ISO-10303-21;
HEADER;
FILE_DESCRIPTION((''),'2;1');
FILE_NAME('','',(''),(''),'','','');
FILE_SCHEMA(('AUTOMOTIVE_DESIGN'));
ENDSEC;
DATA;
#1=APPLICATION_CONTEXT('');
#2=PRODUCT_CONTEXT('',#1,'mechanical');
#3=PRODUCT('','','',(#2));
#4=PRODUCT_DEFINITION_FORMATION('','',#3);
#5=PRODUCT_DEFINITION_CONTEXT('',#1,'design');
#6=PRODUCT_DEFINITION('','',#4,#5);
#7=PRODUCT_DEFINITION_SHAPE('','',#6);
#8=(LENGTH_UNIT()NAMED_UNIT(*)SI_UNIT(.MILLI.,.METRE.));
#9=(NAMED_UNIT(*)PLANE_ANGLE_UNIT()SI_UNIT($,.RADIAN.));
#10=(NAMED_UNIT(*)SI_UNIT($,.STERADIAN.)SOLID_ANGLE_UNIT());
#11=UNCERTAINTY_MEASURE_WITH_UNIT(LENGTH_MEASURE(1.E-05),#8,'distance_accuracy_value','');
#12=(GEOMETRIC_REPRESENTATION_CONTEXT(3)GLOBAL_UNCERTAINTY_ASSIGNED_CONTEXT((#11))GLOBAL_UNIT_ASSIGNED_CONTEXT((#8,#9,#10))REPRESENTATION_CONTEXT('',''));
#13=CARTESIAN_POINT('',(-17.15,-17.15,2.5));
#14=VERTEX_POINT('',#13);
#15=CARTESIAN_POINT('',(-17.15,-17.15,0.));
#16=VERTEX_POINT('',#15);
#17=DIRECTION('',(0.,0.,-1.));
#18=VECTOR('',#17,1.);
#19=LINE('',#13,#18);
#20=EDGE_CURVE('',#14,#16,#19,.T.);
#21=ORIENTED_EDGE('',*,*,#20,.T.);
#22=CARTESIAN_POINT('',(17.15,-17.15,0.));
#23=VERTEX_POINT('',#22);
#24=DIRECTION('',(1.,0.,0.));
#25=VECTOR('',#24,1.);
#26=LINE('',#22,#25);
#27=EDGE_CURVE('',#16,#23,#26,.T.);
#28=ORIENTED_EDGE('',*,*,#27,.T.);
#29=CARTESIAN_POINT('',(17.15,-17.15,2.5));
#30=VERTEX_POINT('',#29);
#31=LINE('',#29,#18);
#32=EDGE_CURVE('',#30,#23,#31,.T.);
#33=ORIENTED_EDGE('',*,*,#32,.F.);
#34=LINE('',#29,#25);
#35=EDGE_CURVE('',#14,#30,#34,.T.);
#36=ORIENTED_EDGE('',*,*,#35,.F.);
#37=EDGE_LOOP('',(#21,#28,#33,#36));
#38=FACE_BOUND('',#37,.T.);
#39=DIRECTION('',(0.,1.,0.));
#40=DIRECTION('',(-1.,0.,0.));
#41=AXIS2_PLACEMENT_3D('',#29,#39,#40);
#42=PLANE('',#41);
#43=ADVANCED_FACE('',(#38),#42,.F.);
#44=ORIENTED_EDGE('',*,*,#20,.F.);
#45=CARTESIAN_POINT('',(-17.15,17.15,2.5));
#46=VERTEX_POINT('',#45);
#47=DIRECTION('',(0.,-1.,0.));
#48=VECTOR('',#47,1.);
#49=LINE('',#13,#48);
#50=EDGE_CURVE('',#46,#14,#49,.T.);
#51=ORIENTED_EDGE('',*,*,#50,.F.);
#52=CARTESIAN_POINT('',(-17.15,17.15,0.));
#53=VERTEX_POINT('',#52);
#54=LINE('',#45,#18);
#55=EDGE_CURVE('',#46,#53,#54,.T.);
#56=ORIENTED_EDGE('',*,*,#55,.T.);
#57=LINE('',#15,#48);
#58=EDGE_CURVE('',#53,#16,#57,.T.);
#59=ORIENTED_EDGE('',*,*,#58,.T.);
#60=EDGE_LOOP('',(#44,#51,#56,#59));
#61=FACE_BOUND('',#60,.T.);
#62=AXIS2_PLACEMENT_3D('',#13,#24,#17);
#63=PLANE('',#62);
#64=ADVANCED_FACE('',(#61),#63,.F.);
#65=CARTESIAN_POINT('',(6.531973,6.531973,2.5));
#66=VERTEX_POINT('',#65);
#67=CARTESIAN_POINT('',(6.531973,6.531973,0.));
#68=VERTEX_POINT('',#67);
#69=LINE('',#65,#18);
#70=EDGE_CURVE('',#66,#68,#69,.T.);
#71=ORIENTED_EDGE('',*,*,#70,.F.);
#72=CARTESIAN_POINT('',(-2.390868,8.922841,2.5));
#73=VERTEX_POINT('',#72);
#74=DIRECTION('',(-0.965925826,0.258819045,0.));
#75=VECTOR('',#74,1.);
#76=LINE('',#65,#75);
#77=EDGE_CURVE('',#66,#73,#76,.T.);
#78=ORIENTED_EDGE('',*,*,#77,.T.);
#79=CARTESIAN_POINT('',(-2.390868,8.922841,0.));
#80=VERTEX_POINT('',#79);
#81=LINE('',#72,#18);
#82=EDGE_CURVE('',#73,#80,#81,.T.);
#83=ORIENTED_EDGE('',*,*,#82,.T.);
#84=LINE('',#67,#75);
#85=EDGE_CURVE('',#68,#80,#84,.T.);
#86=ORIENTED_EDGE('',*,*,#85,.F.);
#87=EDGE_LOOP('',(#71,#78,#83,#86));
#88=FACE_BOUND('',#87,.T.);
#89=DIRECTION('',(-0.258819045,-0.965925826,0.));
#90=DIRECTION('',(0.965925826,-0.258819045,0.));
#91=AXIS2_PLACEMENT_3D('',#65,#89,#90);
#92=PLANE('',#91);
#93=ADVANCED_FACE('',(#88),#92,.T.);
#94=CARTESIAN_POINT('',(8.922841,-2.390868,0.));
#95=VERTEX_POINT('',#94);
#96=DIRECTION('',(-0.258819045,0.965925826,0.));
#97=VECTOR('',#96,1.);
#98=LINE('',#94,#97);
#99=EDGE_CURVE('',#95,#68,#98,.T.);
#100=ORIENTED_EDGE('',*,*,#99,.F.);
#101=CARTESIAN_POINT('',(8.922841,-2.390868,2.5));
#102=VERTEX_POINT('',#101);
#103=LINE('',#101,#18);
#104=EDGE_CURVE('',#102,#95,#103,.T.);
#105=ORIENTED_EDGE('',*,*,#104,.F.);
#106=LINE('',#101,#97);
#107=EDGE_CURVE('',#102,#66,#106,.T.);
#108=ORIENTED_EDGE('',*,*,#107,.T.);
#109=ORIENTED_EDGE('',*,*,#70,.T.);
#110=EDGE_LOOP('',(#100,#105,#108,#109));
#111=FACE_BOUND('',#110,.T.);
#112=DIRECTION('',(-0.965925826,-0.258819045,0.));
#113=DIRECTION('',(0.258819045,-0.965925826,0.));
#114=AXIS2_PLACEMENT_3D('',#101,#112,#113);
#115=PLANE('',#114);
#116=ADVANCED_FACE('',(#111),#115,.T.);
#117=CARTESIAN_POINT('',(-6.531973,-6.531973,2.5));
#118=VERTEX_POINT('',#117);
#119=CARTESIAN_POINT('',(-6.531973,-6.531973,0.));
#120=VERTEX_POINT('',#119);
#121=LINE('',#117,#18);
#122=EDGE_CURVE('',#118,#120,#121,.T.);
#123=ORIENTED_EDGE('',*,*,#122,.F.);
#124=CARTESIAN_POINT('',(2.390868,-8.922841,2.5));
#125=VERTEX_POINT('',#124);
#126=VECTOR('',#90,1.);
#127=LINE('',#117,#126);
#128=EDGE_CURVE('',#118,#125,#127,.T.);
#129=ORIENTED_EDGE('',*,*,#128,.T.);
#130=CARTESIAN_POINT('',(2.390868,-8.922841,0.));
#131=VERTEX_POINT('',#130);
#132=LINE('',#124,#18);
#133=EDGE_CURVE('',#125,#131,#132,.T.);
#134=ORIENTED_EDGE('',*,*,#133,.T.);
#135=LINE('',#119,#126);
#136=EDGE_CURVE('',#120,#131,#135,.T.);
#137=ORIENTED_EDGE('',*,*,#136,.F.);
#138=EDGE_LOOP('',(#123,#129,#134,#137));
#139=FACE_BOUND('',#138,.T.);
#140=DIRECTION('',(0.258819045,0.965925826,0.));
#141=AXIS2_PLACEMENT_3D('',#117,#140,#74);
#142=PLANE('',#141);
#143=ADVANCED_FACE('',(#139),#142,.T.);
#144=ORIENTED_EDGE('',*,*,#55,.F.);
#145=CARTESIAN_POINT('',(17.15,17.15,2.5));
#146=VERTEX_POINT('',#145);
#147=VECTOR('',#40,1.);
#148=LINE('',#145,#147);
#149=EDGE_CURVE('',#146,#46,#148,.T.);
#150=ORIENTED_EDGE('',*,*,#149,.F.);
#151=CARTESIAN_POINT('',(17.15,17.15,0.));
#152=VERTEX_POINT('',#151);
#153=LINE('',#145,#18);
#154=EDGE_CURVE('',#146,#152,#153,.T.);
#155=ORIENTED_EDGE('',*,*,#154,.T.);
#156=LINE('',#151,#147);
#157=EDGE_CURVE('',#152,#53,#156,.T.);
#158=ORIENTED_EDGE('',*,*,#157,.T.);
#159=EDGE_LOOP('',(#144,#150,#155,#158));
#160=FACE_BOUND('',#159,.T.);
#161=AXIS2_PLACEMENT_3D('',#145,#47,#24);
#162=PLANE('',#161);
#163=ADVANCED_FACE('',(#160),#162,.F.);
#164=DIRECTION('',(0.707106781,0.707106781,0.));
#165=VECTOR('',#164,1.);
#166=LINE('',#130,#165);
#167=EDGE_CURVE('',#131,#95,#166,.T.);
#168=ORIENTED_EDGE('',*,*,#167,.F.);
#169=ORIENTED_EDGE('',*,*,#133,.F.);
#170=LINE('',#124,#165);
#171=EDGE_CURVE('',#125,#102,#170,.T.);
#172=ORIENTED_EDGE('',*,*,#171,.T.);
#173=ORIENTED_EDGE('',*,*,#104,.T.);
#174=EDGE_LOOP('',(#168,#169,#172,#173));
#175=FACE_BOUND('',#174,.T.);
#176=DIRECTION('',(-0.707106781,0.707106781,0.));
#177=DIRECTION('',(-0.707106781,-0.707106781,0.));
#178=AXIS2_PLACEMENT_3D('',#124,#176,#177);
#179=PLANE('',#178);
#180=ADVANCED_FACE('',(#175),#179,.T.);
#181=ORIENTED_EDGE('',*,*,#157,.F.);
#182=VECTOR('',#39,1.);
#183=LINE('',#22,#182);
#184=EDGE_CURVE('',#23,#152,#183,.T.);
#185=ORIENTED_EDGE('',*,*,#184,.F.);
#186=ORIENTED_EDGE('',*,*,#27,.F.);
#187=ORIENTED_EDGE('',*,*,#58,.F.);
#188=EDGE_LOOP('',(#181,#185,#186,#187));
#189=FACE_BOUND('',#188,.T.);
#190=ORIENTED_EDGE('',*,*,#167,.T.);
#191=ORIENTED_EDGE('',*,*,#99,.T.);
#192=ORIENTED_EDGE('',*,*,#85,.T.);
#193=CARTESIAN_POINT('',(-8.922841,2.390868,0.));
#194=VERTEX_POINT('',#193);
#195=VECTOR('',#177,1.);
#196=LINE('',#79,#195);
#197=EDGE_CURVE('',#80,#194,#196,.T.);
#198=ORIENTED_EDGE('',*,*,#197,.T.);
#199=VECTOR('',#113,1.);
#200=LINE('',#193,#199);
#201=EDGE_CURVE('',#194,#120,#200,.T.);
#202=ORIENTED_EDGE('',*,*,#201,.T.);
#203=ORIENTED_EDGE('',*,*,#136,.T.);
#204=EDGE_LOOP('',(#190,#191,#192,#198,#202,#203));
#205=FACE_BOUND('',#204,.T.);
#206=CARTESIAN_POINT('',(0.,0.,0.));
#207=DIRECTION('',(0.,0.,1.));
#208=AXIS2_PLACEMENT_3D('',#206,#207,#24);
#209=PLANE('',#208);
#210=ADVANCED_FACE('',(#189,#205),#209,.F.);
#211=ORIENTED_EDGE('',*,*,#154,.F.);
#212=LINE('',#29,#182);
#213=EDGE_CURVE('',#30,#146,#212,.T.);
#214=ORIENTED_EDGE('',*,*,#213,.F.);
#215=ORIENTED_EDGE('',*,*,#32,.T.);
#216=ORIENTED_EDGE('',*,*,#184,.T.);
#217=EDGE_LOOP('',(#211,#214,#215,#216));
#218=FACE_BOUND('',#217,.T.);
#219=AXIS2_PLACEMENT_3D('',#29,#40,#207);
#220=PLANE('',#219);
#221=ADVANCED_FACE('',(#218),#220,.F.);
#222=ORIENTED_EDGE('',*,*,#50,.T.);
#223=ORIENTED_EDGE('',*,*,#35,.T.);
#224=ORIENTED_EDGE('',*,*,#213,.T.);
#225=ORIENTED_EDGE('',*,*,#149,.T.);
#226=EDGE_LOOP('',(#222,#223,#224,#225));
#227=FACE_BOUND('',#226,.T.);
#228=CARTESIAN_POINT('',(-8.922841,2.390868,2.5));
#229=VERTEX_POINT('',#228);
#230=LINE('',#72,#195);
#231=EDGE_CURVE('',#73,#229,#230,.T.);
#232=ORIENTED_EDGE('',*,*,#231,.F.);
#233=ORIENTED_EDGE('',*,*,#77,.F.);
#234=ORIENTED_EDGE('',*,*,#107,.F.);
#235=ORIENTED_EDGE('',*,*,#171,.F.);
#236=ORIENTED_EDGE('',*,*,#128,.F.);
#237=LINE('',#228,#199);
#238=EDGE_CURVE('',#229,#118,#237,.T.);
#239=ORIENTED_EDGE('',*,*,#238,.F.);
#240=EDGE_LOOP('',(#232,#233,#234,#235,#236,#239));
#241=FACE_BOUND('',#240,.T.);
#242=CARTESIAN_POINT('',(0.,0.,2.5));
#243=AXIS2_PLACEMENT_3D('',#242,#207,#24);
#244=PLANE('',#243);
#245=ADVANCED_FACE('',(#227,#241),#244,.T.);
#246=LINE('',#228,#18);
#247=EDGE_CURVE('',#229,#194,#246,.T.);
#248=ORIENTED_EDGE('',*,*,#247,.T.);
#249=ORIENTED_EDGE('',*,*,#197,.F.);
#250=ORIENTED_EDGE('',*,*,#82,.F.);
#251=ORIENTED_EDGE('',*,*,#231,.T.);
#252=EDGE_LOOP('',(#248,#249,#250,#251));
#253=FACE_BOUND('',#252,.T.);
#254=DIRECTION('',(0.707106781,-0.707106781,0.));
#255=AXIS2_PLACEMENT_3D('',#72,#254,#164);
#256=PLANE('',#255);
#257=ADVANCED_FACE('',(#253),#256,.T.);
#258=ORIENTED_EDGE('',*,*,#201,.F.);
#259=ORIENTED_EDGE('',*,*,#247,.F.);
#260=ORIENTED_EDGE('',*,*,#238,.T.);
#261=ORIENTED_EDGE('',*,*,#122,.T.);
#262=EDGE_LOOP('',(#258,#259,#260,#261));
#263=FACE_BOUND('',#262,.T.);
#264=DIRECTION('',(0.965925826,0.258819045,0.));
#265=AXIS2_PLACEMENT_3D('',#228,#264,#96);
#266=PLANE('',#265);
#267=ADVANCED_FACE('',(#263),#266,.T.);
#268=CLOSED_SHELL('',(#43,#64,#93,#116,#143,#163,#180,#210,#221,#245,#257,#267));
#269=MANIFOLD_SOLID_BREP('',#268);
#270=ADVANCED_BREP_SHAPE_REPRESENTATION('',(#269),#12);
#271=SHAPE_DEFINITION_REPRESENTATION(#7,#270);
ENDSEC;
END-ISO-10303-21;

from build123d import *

# Parameters (mm, degrees)
SKETCH_1_W      = 34.3
SKETCH_1_H      = 34.3
EXTRUDE_1_DEPTH = 2.5


with BuildPart() as part:
    # 草图1 → 凸台-拉伸1 (new body)
    with BuildSketch(Plane.XY):
        Rectangle(SKETCH_1_W, SKETCH_1_H)
        Polygon((6.531972647, 6.531972647), (-2.390867926, 8.922840573), (-8.922840573, 2.390867926), (-6.531972647, -6.531972647), (2.390867926, -8.922840573), (8.922840573, -2.390867926), align=None, mode=Mode.SUBTRACT)
    extrude(amount=EXTRUDE_1_DEPTH)


solid = part.part
